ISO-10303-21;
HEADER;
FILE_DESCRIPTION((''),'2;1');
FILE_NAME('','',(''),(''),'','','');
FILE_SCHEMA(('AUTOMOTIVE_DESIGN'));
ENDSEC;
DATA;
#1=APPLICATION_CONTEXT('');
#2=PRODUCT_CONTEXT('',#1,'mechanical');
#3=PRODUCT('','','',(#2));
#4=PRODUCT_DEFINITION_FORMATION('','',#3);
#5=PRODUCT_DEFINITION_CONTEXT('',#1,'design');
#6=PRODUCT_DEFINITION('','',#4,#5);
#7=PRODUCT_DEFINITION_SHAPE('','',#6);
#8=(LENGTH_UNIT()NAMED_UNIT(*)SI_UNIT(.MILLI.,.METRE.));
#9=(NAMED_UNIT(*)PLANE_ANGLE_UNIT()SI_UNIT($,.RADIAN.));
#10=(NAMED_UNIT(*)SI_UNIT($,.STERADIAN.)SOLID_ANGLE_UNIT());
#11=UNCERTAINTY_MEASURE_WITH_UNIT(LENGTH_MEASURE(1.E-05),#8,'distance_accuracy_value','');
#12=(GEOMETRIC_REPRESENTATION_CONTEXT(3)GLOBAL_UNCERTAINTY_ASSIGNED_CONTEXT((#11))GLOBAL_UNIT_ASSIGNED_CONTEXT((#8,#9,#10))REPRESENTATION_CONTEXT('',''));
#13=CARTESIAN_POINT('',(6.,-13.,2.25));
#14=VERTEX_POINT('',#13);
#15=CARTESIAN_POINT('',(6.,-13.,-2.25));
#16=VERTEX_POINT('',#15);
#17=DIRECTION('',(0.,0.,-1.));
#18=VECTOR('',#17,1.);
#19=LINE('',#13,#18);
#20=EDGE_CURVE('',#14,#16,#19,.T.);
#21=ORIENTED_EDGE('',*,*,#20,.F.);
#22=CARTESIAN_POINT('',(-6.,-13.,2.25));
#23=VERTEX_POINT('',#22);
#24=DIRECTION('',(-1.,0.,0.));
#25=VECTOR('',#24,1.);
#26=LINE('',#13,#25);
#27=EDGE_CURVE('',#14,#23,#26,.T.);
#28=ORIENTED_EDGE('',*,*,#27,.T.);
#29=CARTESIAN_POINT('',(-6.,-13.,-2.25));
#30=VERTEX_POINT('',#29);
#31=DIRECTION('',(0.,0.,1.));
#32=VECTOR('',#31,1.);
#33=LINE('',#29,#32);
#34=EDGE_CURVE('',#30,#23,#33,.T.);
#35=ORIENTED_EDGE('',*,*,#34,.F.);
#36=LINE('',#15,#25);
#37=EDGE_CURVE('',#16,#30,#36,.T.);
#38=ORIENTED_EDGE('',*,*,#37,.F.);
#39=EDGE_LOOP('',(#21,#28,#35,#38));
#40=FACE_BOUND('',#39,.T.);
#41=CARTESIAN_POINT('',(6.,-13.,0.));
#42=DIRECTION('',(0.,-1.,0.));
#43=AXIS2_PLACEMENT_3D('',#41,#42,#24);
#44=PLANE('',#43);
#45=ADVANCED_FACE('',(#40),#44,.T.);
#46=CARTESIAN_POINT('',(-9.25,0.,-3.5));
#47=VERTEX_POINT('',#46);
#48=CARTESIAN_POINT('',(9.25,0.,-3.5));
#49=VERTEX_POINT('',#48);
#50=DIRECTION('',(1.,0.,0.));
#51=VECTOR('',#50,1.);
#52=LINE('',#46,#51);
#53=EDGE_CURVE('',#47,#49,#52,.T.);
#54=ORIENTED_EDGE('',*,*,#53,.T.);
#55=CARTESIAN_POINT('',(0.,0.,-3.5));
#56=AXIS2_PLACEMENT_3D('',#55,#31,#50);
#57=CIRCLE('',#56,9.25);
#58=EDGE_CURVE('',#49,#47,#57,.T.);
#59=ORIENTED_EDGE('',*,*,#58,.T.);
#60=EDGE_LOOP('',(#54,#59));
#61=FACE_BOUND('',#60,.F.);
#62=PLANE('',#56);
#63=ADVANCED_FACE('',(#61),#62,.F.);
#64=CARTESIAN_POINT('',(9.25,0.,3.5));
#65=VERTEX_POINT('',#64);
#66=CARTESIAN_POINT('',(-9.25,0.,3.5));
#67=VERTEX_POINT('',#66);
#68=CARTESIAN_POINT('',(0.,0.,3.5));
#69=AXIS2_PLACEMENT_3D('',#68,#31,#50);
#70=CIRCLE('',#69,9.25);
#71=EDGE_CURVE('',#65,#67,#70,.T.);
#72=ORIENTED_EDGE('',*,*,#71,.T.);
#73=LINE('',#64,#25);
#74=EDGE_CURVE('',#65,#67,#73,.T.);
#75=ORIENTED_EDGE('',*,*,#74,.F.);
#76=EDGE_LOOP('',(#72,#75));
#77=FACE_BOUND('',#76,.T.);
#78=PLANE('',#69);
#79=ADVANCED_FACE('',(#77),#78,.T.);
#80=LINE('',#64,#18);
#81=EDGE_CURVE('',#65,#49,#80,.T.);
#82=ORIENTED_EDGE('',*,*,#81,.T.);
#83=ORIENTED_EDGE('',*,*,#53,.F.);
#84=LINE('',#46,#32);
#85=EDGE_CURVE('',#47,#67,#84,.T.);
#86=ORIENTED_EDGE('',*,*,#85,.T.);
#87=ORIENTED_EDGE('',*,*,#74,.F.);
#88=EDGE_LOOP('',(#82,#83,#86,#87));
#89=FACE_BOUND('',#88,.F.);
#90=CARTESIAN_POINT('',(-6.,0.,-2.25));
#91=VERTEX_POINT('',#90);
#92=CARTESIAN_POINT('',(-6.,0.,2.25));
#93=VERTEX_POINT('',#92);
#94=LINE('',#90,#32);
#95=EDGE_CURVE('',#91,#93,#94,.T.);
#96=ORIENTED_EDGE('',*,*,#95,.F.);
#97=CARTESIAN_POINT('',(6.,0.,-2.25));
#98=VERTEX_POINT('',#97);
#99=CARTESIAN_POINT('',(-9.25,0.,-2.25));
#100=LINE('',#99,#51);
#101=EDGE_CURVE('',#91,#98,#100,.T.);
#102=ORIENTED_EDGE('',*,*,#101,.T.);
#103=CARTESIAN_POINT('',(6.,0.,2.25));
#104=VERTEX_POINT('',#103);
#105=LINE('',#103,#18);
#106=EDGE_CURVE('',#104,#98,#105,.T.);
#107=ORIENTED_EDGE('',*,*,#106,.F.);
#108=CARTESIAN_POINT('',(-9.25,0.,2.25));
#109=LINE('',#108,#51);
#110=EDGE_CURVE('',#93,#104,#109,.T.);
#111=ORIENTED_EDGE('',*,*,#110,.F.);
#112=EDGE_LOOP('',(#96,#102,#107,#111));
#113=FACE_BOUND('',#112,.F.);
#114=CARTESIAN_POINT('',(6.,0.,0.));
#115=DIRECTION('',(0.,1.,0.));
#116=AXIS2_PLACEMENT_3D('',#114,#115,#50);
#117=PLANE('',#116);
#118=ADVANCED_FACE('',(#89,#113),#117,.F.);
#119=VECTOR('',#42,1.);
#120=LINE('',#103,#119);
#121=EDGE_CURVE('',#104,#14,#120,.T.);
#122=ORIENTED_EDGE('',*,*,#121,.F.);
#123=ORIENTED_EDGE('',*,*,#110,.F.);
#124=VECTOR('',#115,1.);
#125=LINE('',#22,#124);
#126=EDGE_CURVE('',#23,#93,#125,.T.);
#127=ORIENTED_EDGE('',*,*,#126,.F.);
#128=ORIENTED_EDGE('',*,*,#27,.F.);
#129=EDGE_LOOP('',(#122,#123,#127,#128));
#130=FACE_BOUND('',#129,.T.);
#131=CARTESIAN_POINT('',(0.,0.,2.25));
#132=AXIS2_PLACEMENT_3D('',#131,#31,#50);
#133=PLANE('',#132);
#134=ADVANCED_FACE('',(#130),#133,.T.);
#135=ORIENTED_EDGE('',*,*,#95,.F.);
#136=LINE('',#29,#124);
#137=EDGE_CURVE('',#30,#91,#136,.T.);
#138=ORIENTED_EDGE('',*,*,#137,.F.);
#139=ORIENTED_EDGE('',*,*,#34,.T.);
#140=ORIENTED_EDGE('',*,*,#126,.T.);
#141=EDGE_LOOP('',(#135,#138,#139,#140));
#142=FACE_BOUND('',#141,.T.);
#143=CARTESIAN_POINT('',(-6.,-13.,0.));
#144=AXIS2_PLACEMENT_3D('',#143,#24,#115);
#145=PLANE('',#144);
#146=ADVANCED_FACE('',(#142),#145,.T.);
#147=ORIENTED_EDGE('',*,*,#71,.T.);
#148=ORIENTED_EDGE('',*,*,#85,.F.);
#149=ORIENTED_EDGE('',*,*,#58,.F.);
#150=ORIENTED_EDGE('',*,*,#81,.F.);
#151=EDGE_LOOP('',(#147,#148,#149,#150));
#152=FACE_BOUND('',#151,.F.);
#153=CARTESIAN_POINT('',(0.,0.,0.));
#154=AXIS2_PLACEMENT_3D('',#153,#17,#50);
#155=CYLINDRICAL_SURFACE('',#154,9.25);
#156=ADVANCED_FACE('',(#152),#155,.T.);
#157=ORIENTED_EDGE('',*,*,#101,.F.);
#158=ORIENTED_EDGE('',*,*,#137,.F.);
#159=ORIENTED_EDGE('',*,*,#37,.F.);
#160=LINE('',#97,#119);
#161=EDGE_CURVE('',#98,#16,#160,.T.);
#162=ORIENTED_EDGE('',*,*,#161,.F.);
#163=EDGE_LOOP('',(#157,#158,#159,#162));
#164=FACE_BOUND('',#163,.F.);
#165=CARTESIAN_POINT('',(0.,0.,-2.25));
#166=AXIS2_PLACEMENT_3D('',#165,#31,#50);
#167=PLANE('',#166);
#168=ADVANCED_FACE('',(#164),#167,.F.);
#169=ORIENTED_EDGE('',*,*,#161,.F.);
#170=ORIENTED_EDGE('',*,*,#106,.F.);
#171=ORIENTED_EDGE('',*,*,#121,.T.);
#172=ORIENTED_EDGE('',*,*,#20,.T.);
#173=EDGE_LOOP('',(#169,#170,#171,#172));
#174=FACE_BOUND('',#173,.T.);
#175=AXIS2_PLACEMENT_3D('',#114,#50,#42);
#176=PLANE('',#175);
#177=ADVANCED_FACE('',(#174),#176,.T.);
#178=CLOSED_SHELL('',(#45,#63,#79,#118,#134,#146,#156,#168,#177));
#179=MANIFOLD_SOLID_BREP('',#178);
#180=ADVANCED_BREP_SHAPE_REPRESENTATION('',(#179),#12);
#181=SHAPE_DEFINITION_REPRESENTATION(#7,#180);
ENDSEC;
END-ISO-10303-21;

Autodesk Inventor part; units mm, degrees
ref_plane "YZ Plane" through (0, 0, 0) normal (1, 0, 0) x (0, 1, 0)
ref_plane "XZ Plane" through (0, 0, 0) normal (0, 1, 0) x (-1, 0, 0)
ref_plane "XY Plane" through (0, 0, 0) normal (0, 0, 1) x (1, 0, 0)
sketch "스케치1" plane through (0, 0, 0) normal (0, 0, 1) x (1, 0, 0)
  line L0 (-9.25, 0) -> (9.25, 0)
  arc A0 (9.25, 0) -> (-9.25, 0) centre (0, 0) ccw
  line L1 (0, 9.25) -> (0, 0) construction
  line L2 (-6, 0) -> (6, 0)
  line L3 (6, 0) -> (6, -13)
  line L4 (6, -13) -> (-6, -13)
  line L5 (-6, -13) -> (-6, 0)
  dimension "d0" = 18.5
  dimension "d1" = 9.25
  dimension "d2" = 12
  dimension "d3" = 13
extrude "돌출1" add sketch "스케치1" along normal mid plane 7 contours A0 L0
extrude "돌출2" add sketch "스케치1" along normal mid plane 4.5 contours L0 L3 L4 L5
properties part number "Mic"
